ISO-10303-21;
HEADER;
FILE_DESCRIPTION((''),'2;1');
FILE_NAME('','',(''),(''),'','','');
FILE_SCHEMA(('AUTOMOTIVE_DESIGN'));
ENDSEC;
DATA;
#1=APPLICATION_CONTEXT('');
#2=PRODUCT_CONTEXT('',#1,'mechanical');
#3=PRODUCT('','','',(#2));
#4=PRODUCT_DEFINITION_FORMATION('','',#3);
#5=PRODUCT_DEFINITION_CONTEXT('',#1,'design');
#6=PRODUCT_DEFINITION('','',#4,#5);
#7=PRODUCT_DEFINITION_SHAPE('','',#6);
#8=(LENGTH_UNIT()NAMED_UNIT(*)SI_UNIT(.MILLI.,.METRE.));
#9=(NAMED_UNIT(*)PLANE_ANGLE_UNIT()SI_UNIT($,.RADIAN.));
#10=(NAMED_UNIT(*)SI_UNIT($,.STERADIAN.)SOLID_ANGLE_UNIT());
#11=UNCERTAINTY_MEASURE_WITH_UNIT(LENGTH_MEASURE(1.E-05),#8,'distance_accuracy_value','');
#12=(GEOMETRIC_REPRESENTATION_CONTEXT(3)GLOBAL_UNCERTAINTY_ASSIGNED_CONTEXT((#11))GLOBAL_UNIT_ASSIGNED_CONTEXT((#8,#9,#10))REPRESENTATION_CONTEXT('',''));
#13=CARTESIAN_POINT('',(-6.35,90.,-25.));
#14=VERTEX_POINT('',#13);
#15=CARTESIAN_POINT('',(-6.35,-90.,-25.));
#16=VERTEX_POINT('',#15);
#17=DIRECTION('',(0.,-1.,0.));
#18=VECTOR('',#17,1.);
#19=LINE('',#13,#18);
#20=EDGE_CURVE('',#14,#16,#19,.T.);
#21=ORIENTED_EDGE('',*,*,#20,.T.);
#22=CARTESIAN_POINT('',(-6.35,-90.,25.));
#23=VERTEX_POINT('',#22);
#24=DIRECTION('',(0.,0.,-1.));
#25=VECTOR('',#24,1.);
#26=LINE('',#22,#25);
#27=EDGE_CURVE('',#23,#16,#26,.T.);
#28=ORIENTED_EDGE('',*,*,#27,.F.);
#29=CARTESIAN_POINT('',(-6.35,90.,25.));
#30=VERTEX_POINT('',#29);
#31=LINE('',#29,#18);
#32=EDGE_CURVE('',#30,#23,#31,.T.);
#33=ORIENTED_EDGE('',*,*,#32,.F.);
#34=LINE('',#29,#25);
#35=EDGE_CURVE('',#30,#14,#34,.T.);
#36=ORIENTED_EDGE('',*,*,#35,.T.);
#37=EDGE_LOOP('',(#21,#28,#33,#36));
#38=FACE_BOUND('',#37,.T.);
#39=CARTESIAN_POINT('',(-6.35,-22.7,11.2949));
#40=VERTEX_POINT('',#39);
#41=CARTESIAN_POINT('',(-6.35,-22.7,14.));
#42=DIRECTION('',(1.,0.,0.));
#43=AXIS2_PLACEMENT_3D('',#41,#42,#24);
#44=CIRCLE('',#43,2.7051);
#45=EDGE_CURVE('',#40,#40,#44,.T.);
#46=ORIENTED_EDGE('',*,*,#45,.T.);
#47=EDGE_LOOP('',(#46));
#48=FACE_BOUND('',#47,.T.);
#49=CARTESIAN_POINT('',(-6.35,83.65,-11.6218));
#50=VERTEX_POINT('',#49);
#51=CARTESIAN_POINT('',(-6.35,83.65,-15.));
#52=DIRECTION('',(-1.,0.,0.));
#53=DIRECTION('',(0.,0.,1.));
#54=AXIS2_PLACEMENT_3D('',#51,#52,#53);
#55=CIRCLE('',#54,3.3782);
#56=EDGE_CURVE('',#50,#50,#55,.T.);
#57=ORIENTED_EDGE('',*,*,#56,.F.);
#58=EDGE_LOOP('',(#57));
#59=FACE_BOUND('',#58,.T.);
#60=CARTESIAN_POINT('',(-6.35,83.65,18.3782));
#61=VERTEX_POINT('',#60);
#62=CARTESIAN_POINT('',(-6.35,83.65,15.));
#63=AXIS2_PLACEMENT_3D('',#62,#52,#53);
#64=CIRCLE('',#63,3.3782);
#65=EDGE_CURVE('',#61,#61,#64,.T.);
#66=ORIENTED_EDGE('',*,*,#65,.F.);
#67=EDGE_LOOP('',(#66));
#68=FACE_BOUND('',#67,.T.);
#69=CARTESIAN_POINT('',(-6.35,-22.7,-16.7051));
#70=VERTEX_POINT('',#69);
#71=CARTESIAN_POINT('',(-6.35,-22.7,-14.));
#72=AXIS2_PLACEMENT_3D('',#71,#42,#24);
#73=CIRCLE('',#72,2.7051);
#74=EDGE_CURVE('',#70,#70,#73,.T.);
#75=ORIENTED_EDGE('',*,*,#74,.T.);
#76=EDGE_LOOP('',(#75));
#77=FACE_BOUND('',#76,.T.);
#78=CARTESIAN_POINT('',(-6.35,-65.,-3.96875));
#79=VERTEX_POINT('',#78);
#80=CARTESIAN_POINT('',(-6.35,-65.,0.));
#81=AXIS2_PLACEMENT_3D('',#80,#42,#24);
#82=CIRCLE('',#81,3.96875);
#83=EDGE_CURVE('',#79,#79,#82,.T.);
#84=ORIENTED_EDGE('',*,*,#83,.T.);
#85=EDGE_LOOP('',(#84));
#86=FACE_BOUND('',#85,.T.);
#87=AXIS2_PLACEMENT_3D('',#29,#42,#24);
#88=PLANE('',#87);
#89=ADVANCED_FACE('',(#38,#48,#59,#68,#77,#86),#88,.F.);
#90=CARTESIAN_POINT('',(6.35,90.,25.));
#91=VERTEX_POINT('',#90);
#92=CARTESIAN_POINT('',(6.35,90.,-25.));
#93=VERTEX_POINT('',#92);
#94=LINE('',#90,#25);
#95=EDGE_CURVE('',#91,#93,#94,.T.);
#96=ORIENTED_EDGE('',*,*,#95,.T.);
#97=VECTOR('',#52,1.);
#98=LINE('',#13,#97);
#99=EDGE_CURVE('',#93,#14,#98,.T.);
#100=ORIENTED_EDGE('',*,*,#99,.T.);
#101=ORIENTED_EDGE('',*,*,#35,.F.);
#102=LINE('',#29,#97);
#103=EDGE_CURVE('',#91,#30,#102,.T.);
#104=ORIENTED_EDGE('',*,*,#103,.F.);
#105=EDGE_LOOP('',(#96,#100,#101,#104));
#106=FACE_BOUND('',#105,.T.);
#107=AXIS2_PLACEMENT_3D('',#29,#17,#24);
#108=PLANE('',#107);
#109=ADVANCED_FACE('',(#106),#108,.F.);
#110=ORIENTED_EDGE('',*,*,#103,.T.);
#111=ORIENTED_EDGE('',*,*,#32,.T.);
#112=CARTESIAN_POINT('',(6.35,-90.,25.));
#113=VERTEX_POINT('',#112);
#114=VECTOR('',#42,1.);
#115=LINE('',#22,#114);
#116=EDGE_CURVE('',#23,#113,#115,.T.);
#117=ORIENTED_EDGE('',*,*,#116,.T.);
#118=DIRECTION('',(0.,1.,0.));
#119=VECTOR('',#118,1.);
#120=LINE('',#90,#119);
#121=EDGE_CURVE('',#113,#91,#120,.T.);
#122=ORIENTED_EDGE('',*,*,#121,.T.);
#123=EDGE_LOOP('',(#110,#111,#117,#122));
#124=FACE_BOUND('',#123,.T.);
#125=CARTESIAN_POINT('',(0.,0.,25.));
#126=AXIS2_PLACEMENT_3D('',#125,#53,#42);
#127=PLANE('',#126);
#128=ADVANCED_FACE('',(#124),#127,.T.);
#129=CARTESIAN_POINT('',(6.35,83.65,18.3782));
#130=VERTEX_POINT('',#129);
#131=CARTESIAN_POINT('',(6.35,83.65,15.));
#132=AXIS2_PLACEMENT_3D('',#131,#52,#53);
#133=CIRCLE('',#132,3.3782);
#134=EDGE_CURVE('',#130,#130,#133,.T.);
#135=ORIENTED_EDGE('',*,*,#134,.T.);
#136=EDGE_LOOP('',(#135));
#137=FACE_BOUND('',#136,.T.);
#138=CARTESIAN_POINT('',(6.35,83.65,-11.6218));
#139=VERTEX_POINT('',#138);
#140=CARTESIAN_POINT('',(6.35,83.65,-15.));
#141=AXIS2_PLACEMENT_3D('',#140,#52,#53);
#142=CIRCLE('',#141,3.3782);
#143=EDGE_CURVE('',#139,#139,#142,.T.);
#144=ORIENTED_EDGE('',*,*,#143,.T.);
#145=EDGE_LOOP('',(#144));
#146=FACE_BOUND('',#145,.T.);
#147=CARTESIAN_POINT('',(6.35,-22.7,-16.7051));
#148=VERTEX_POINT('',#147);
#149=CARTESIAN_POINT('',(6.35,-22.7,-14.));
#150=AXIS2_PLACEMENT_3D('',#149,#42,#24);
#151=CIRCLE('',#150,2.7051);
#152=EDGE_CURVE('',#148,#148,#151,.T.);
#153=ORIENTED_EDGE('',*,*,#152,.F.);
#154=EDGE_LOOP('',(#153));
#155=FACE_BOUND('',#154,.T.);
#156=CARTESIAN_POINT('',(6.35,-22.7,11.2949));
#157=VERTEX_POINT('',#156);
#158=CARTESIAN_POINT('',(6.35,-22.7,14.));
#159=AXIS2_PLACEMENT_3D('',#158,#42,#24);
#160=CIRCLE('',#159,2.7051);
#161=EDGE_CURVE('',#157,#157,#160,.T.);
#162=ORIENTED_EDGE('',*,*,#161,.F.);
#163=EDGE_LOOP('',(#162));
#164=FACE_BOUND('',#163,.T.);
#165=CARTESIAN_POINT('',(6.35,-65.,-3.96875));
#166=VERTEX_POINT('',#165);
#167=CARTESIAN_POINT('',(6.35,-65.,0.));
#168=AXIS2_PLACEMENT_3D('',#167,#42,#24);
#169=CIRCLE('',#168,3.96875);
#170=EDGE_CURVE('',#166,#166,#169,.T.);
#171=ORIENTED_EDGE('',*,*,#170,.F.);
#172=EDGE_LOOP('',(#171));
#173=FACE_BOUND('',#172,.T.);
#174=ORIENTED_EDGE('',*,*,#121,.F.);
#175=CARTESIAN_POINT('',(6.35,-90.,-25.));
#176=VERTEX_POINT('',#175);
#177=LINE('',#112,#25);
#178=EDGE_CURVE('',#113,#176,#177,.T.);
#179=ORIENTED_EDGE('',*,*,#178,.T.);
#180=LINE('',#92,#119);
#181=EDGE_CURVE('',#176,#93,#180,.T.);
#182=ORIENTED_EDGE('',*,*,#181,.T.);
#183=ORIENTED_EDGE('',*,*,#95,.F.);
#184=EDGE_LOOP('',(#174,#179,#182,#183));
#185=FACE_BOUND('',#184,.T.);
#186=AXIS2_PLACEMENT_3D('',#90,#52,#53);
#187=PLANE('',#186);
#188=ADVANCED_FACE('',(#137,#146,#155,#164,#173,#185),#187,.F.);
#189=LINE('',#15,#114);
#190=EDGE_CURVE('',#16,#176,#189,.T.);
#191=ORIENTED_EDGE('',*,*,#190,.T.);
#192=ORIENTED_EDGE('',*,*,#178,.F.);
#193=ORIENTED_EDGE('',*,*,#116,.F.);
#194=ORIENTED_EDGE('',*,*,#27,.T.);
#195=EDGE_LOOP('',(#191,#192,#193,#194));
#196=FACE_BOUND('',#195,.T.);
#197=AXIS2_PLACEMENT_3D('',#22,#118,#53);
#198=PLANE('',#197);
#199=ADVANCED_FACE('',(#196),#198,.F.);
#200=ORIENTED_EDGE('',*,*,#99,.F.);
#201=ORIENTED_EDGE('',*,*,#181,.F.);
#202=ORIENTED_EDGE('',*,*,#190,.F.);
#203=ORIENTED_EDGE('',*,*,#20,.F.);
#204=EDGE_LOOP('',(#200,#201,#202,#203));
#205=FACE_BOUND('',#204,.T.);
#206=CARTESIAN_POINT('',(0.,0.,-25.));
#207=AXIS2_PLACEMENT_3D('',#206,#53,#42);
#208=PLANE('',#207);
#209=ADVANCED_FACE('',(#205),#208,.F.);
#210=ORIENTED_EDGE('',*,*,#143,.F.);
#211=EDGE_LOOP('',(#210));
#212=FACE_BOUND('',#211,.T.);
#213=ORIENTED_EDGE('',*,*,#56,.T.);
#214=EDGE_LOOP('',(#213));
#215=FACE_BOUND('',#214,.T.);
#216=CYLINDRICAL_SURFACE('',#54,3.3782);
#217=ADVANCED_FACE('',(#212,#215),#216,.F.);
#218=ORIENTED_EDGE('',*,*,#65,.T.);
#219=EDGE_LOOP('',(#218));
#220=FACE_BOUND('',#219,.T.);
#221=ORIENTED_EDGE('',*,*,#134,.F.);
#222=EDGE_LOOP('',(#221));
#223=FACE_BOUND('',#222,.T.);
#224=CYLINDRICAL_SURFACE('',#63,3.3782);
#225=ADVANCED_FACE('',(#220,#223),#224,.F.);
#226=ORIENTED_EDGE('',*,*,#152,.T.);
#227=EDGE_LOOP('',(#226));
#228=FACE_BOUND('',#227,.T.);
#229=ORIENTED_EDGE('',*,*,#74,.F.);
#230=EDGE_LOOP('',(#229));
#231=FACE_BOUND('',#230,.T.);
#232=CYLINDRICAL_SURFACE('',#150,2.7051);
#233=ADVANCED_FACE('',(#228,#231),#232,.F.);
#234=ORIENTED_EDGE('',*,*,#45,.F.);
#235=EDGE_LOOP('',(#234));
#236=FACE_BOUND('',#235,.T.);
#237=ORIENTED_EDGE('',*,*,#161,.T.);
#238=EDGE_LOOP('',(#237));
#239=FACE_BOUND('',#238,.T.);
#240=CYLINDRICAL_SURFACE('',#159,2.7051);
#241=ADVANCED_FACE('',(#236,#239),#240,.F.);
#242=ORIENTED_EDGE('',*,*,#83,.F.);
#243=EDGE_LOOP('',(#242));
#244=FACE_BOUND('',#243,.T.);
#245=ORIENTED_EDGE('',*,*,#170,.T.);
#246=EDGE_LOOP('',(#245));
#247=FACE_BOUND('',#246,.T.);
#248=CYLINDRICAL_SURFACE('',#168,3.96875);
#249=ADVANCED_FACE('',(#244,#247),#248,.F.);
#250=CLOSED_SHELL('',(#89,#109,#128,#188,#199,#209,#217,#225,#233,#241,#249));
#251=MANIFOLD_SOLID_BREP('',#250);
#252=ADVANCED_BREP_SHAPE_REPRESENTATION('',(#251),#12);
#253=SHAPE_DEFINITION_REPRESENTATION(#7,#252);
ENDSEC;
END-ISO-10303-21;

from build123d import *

# Parameters (mm, degrees)
CROQUIS1_W                    = 12.7
CROQUIS1_H                    = 180
SALIENTE_EXTRUIR1_DEPTH       = 25
TALADRO_ROSCADO_3_8_161_D     = 7.9375
TALADRO_DE_MARGEN_PARA_1_41_D = 6.7564
TALADRO_ROSCADO_1_4_281_D     = 5.4102


with BuildPart() as part:
    # Croquis1 → Saliente-Extruir1 (new, symmetric)
    with BuildSketch(Plane.XY):
        Rectangle(CROQUIS1_W, CROQUIS1_H)
    extrude(amount=SALIENTE_EXTRUIR1_DEPTH, both=True)

    # Taladro roscado 3/8-161 (through all)
    with Locations(Plane(origin=(6.35, 0, 0), x_dir=(0, 0, -1), z_dir=(1, 0, 0))):
        with Locations((0, -65)):
            Hole(TALADRO_ROSCADO_3_8_161_D / 2)

    # Taladro de margen para 1/41 (through all)
    with Locations(Plane.ZY.offset(6.35)):
        with Locations((-15, 83.65), (15, 83.65)):
            Hole(TALADRO_DE_MARGEN_PARA_1_41_D / 2)

    # Taladro roscado 1/4-281 (through all)
    with Locations(Plane(origin=(6.35, 0, 0), x_dir=(0, 0, -1), z_dir=(1, 0, 0))):
        with Locations((14, -22.7), (-14, -22.7)):
            Hole(TALADRO_ROSCADO_1_4_281_D / 2)


solid = part.part
